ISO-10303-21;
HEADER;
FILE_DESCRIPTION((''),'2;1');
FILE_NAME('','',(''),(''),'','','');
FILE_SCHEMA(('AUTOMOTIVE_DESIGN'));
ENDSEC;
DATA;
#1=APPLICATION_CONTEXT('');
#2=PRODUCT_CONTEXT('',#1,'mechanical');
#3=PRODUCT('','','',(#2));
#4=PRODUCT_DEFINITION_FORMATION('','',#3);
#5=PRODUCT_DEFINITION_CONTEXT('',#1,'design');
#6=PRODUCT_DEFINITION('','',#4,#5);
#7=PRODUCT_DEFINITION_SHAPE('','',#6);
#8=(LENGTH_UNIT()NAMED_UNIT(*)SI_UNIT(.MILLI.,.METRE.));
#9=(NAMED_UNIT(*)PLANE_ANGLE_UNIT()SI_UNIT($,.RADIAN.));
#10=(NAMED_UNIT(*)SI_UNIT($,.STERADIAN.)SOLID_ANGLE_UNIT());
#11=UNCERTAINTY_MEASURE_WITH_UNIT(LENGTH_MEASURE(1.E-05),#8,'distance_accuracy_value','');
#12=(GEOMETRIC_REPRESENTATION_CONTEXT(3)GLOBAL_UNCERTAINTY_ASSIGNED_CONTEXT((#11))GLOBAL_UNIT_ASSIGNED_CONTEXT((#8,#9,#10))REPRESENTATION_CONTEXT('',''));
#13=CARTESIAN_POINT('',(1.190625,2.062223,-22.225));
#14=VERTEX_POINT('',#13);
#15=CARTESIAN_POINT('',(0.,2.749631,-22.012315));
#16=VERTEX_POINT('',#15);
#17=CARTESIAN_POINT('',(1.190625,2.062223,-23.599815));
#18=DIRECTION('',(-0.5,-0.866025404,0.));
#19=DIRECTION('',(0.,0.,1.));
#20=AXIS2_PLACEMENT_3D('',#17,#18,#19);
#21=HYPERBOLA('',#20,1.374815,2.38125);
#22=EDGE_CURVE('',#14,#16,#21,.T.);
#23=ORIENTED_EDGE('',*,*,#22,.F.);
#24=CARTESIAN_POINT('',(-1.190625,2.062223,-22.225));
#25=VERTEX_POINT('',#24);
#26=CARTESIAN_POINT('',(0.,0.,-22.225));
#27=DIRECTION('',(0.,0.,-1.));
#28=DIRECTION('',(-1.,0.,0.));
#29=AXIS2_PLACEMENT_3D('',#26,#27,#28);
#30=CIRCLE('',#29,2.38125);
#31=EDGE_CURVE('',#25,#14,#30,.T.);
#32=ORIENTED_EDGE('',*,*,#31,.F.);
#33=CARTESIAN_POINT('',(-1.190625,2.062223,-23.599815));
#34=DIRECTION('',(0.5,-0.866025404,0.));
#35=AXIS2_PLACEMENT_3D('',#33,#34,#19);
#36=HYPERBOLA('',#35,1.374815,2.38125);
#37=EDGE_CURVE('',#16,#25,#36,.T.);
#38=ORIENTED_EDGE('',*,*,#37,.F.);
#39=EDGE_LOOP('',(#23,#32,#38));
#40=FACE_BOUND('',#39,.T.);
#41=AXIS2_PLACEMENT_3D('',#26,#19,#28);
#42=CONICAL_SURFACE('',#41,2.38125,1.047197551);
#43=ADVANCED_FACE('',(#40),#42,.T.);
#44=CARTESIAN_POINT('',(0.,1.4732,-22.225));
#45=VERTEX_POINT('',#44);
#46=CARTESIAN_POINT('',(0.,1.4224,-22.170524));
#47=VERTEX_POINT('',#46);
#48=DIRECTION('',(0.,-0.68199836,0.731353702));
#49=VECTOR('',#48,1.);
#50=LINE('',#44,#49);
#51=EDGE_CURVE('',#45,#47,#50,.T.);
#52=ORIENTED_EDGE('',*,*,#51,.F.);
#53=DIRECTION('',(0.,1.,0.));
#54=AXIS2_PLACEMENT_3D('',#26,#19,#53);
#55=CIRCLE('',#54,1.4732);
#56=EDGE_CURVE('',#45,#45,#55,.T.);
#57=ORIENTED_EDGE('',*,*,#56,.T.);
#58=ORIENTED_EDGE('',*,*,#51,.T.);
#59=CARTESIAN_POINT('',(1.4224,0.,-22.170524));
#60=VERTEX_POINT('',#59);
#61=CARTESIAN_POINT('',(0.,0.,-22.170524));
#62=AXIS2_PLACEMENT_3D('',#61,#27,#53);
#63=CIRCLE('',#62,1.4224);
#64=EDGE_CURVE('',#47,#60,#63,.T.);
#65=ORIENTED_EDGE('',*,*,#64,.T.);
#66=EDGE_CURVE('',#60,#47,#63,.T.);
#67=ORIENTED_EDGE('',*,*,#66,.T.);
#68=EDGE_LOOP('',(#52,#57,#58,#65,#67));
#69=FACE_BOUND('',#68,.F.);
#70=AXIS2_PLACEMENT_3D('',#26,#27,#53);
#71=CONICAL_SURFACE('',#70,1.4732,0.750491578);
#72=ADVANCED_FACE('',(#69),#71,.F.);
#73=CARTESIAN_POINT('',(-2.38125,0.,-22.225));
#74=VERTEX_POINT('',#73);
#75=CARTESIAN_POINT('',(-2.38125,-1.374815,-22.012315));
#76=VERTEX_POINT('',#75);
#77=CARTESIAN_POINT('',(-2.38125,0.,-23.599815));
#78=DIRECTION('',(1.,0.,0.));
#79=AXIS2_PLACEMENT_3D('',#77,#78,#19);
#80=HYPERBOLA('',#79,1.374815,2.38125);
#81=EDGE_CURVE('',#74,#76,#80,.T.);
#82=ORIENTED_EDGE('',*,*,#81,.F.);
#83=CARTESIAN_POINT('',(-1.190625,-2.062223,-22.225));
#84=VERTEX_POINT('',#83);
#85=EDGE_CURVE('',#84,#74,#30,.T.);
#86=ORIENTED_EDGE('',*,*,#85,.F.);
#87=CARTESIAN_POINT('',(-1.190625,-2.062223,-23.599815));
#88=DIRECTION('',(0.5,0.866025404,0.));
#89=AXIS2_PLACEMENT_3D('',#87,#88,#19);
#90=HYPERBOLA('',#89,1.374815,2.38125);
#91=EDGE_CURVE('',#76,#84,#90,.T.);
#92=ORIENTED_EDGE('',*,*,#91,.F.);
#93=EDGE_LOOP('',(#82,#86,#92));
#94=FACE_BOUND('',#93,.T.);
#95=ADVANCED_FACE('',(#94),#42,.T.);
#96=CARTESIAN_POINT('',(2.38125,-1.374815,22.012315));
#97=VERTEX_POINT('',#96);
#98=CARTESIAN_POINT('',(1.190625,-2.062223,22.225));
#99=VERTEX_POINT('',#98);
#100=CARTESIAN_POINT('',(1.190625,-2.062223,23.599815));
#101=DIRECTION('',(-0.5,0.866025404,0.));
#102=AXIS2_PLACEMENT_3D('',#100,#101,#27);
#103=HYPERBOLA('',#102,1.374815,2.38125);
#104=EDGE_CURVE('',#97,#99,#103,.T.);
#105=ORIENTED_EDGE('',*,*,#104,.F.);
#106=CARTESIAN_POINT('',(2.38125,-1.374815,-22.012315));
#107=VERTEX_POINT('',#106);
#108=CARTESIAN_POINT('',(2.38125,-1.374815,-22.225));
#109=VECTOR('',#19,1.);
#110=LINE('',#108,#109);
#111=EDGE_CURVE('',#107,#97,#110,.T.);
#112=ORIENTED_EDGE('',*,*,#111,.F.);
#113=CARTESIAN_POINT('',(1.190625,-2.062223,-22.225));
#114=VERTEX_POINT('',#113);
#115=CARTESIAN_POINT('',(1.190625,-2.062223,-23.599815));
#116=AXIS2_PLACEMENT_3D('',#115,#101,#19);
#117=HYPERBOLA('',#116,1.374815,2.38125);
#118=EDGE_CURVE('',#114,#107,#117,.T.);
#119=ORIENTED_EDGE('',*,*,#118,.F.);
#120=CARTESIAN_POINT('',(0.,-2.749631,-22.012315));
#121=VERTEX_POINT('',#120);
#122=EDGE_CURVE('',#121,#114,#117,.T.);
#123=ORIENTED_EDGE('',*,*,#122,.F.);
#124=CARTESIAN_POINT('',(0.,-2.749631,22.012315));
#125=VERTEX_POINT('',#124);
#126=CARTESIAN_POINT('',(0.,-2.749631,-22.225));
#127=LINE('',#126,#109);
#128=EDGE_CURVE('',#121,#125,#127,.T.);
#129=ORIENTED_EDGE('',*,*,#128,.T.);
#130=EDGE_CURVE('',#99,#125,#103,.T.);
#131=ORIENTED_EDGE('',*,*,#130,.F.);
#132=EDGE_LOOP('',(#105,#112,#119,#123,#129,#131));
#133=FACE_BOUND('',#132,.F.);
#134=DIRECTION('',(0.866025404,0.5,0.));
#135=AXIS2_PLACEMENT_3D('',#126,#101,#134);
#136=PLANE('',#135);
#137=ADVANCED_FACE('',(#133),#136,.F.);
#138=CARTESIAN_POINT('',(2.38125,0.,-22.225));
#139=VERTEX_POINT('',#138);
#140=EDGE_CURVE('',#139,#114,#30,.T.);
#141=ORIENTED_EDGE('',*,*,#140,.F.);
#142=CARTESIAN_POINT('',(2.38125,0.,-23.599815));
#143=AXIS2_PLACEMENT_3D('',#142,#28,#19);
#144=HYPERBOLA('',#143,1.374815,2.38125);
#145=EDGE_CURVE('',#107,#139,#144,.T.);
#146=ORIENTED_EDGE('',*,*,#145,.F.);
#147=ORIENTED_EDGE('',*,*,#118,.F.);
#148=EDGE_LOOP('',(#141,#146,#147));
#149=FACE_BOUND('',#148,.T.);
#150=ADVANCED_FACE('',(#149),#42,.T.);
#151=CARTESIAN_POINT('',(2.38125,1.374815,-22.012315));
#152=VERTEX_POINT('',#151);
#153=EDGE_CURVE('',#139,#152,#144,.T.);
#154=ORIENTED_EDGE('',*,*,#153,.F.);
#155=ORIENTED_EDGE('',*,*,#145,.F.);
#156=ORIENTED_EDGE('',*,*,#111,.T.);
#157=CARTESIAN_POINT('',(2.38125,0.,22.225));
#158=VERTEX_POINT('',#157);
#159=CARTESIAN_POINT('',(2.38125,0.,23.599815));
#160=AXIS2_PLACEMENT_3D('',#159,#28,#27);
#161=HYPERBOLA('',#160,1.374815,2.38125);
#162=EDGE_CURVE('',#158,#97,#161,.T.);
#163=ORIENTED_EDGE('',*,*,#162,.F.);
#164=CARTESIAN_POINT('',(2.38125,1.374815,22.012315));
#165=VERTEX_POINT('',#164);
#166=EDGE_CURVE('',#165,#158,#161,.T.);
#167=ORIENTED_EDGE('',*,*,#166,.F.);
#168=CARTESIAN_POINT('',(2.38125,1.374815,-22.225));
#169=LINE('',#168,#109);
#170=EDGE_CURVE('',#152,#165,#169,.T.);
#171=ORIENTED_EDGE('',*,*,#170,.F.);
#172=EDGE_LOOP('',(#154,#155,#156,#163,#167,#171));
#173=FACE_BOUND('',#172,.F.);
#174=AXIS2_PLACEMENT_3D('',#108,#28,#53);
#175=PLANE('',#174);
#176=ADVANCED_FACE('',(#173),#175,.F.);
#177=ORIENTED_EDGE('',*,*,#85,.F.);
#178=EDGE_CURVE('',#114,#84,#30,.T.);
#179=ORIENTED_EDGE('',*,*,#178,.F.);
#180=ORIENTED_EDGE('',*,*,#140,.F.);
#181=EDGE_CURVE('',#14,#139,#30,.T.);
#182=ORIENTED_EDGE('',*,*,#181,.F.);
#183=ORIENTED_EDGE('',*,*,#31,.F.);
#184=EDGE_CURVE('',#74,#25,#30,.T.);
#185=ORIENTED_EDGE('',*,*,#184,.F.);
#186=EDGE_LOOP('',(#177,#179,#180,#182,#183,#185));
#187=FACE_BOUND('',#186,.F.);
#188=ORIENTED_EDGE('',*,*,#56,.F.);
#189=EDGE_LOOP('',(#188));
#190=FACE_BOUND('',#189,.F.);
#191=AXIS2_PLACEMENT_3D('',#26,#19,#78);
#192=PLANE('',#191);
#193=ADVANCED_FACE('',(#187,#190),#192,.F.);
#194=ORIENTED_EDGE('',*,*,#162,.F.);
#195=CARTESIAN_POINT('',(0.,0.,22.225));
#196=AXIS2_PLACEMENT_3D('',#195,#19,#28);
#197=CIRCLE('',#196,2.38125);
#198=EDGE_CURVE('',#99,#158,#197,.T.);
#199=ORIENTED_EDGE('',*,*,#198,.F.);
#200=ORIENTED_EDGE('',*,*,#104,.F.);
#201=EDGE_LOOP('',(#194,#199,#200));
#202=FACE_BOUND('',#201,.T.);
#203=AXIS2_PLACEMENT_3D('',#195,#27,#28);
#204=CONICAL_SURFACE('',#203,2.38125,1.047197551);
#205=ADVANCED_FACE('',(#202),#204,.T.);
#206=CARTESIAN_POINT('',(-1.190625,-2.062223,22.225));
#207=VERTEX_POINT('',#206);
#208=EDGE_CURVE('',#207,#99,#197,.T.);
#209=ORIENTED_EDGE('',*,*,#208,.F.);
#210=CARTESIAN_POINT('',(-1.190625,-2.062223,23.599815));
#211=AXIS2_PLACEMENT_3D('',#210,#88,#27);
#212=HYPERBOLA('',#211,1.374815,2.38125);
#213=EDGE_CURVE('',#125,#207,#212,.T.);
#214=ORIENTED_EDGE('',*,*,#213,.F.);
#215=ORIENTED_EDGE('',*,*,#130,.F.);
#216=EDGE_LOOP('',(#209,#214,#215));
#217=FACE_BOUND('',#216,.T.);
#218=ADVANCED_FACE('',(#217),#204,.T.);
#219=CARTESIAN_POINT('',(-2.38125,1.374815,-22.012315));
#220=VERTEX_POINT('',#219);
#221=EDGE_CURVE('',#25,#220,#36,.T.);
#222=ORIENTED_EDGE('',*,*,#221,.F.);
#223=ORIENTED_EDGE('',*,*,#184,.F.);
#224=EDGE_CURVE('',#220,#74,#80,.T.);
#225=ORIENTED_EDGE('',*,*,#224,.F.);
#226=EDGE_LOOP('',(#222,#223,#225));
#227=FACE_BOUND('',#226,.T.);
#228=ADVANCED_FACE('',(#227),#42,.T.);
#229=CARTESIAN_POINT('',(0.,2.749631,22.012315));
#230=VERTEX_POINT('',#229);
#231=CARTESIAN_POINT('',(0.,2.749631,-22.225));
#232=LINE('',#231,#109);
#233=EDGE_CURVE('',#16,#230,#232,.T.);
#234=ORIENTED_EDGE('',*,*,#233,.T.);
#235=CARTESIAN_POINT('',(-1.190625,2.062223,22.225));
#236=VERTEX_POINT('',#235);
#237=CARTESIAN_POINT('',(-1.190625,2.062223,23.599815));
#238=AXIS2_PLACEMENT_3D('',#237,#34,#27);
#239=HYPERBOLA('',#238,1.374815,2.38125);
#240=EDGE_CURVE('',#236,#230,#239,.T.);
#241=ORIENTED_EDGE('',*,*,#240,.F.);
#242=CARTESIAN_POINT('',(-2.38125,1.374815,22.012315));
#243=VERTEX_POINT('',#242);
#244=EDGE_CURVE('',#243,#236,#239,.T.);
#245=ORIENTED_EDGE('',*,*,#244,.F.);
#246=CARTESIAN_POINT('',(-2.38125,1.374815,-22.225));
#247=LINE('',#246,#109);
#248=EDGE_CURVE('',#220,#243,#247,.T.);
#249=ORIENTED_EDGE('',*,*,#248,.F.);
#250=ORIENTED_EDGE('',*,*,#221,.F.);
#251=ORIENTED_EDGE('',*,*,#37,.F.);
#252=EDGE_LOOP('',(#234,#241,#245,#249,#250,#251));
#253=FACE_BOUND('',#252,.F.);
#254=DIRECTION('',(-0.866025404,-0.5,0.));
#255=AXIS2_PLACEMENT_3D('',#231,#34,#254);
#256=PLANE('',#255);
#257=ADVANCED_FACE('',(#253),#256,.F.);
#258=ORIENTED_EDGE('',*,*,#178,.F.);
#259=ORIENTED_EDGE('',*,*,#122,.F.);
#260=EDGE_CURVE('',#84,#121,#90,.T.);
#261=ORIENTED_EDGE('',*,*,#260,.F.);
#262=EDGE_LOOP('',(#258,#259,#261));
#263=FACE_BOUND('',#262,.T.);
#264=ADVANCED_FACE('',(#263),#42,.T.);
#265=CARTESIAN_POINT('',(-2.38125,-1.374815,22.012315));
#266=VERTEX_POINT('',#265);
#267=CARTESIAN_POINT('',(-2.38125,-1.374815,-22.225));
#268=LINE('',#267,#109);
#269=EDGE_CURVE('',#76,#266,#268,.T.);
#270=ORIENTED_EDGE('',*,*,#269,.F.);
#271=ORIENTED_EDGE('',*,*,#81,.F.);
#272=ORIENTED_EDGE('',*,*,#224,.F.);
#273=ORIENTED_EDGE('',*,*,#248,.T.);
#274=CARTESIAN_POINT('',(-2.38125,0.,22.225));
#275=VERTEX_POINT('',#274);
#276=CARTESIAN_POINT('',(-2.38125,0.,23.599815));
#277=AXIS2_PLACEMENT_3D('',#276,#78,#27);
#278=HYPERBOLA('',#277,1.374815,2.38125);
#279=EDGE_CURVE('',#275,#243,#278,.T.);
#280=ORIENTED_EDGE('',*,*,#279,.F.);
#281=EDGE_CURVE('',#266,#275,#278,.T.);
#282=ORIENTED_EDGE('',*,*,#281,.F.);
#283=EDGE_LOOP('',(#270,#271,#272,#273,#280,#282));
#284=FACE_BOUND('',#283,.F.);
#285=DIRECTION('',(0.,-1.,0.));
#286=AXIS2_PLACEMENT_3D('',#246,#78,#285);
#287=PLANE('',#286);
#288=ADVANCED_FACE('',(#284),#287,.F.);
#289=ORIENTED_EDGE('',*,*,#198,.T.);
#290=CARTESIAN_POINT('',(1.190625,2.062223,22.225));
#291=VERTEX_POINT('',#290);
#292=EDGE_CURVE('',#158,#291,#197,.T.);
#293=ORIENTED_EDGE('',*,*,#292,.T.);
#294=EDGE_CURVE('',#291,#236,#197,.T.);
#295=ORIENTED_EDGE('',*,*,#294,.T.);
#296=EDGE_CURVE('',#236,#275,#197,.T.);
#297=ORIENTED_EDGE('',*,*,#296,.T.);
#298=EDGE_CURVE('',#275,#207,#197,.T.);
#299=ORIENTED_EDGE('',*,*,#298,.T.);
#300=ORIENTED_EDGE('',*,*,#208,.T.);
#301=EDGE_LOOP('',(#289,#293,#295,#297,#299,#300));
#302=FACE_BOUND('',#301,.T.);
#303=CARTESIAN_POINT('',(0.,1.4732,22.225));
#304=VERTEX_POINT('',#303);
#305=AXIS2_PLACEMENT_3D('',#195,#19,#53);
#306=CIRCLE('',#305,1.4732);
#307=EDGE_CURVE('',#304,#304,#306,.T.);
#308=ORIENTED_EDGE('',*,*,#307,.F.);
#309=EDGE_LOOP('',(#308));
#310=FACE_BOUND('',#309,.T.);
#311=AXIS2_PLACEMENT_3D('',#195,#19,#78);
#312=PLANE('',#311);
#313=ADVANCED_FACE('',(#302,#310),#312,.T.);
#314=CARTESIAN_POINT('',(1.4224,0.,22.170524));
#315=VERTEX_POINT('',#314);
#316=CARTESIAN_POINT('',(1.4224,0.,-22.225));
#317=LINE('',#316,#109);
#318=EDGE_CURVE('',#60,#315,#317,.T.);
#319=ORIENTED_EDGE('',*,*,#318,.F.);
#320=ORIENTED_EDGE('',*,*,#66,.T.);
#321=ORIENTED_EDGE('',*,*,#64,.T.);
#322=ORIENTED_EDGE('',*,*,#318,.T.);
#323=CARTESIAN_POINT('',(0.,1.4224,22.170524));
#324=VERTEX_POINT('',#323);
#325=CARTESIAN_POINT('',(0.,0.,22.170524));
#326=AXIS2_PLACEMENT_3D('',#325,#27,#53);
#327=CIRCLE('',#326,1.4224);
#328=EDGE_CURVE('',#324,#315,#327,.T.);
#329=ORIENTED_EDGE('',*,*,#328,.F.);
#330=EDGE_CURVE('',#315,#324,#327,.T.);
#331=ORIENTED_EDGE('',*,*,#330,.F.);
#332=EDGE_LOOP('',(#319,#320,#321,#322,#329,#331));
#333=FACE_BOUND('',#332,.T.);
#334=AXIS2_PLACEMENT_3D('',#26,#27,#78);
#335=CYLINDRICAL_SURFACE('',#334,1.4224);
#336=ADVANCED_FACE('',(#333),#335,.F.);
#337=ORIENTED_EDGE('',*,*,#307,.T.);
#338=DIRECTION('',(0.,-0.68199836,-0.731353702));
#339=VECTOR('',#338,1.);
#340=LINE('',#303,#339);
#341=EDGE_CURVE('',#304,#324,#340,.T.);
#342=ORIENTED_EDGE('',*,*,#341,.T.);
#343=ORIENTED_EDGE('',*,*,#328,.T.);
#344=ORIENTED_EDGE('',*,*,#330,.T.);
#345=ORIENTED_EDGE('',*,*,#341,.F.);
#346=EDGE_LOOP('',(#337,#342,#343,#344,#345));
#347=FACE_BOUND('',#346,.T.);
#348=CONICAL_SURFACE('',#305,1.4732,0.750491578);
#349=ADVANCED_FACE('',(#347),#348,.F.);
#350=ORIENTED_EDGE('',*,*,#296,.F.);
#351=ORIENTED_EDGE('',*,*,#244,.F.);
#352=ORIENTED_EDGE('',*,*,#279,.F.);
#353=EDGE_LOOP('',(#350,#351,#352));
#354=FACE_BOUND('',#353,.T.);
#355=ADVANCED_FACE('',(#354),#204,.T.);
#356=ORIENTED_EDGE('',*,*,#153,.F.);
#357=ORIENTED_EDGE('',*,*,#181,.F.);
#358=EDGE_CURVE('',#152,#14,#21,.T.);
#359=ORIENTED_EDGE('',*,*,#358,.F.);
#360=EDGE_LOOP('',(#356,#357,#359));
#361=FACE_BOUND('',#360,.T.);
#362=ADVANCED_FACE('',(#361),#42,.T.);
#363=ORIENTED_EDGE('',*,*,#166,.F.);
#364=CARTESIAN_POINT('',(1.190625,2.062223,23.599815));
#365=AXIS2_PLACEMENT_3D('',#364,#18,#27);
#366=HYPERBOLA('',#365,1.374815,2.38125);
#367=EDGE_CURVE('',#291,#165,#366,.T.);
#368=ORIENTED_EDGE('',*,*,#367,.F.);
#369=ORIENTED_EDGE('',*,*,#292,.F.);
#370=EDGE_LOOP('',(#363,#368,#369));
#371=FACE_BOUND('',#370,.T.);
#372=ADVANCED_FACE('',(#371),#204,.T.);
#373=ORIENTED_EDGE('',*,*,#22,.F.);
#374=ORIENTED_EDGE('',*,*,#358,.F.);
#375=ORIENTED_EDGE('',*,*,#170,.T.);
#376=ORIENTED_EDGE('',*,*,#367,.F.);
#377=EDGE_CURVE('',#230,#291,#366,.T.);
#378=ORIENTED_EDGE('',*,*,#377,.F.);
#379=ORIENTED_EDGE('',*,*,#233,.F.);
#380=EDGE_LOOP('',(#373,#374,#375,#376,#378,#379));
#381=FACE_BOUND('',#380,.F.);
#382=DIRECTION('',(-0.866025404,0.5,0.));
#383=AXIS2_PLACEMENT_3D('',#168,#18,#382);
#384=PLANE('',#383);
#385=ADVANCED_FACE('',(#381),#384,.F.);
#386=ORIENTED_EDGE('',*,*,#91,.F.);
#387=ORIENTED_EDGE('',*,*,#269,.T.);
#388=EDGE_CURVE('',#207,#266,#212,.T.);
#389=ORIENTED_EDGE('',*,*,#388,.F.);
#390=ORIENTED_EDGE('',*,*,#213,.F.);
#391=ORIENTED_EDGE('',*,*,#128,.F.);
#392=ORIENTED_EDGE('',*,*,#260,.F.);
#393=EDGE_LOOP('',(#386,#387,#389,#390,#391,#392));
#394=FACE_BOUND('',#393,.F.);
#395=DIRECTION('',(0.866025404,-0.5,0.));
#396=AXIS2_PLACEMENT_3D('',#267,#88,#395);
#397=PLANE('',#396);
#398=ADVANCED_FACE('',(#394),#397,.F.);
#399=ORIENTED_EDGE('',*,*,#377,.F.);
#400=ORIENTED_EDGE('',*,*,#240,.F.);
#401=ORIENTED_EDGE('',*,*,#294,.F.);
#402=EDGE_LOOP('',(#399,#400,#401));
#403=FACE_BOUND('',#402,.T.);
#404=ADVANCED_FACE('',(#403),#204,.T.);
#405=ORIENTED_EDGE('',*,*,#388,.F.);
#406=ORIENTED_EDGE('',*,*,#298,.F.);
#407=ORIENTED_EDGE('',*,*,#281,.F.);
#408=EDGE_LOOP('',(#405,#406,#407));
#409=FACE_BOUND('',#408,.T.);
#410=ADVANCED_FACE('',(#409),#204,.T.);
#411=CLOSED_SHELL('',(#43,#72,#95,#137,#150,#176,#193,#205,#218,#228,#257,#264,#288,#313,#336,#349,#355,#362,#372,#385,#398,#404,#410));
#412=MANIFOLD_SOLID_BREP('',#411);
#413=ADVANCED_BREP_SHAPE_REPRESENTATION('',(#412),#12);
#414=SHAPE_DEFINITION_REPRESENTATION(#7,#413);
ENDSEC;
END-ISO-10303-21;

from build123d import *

# Parameters (mm, degrees)
EXTRUDE1_DEPTH          = 22.225
EXTRUDE1_DEPTH_BACK     = 22.225
SKETCH1_R               = 1.4224
SKETCH8_OUTSIDE_W       = 173.728
SKETCH8_OUTSIDE_H       = 174.466
SKETCH8_OUTSIDE_R       = 2.38125
EXTRUDE4_DEPTH          = 45.598579802
EXTRUDE4_DRAFT          = -60
MIRROR1_COPY_1_SKETCH_W = 173.728
MIRROR1_COPY_1_SKETCH_H = 174.466
MIRROR1_COPY_1_SKETCH_R = 2.38125
MIRROR1_COPY_1_DEPTH    = 45.598579802
MIRROR1_COPY_1_DRAFT    = -60


with BuildPart() as part:
    # Sketch1 → Extrude1 (new, two sides: drawn at the far end of the back side and taken through both)
    with BuildSketch(Plane.XY.offset(-EXTRUDE1_DEPTH_BACK)):
        Polygon((0, 2.749630657), (-2.38125, 1.374815329), (-2.38125, -1.374815329), (0, -2.749630657), (2.38125, -1.374815329), (2.38125, 1.374815329), align=None)
        Circle(SKETCH1_R, mode=Mode.SUBTRACT)
    extrude(amount=EXTRUDE1_DEPTH + EXTRUDE1_DEPTH_BACK)

    # Extrude3 cone 1 section (through the dimple's axis) → Extrude3 (revolve, cut)
    with BuildSketch(Plane(origin=(0, 0, -22.225), x_dir=(0, 1, 0), z_dir=(1, 0, 0))):
        Polygon((0, 0), (1.4732, 0), (0, 1.579813584), align=None)
    extrude3 = revolve(axis=Axis((0, 0, -22.225), (0, 0, 1)), mode=Mode.SUBTRACT)


with BuildPart() as extrude4_tool:
    # Sketch8 outside → Extrude4 (with draft: the straight prism first)
    with BuildSketch(Plane(origin=(0, 0, -22.225), x_dir=(-1, 0, 0), z_dir=(0, 0, -1))):
        Rectangle(SKETCH8_OUTSIDE_W, SKETCH8_OUTSIDE_H)
        Circle(SKETCH8_OUTSIDE_R, mode=Mode.SUBTRACT)
    extrude(amount=-EXTRUDE4_DEPTH)
    # Extrude4: the draft: its side faces are tilted about the plane it starts from
    extrude4_sides = [extrude4_tool.faces().sort_by_distance(p)[0] for p in [
        (0, -87.233, 0.574289901),
        (-86.864, 0, 0.574289901),
        (0, 87.233, 0.574289901),
        (86.864, 0, 0.574289901),
        (2.38125, 0, 0.574289901),
    ]]
    draft(extrude4_sides, Plane(origin=(0, 0, -22.225), x_dir=(-1, 0, 0), z_dir=(0, 0, -1)), EXTRUDE4_DRAFT)


with BuildPart() as part_1:
    add(part.part)

    # Extrude4: cut by extrude4_tool
    add(extrude4_tool.part, mode=Mode.SUBTRACT)

    # Mirror1: Extrude3 across plane
    add(extrude3.mirror(Plane.XY), mode=Mode.SUBTRACT)


with BuildPart() as mirror1_copy_1_tool:
    # Mirror1 copy 1 sketch → Mirror1 copy 1 (with draft: the straight prism first)
    with BuildSketch(Plane(origin=(0, 0, 22.225), x_dir=(-1, 0, 0), z_dir=(0, 0, 1))):
        Rectangle(MIRROR1_COPY_1_SKETCH_W, MIRROR1_COPY_1_SKETCH_H)
        Circle(MIRROR1_COPY_1_SKETCH_R, mode=Mode.SUBTRACT)
    extrude(amount=-MIRROR1_COPY_1_DEPTH)
    # Mirror1 copy 1: the draft: its side faces are tilted about the plane it starts from
    mirror1_copy_1_sides = [mirror1_copy_1_tool.faces().sort_by_distance(p)[0] for p in [
        (0, -87.233, -0.574289901),
        (-86.864, 0, -0.574289901),
        (0, 87.233, -0.574289901),
        (86.864, 0, -0.574289901),
        (2.38125, 0, -0.574289901),
    ]]
    draft(mirror1_copy_1_sides, Plane(origin=(0, 0, 22.225), x_dir=(-1, 0, 0), z_dir=(0, 0, 1)), MIRROR1_COPY_1_DRAFT)


with BuildPart() as part_2:
    add(part_1.part)

    # Mirror1 copy 1: cut by mirror1_copy_1_tool
    add(mirror1_copy_1_tool.part, mode=Mode.SUBTRACT)


solid = part_2.part
